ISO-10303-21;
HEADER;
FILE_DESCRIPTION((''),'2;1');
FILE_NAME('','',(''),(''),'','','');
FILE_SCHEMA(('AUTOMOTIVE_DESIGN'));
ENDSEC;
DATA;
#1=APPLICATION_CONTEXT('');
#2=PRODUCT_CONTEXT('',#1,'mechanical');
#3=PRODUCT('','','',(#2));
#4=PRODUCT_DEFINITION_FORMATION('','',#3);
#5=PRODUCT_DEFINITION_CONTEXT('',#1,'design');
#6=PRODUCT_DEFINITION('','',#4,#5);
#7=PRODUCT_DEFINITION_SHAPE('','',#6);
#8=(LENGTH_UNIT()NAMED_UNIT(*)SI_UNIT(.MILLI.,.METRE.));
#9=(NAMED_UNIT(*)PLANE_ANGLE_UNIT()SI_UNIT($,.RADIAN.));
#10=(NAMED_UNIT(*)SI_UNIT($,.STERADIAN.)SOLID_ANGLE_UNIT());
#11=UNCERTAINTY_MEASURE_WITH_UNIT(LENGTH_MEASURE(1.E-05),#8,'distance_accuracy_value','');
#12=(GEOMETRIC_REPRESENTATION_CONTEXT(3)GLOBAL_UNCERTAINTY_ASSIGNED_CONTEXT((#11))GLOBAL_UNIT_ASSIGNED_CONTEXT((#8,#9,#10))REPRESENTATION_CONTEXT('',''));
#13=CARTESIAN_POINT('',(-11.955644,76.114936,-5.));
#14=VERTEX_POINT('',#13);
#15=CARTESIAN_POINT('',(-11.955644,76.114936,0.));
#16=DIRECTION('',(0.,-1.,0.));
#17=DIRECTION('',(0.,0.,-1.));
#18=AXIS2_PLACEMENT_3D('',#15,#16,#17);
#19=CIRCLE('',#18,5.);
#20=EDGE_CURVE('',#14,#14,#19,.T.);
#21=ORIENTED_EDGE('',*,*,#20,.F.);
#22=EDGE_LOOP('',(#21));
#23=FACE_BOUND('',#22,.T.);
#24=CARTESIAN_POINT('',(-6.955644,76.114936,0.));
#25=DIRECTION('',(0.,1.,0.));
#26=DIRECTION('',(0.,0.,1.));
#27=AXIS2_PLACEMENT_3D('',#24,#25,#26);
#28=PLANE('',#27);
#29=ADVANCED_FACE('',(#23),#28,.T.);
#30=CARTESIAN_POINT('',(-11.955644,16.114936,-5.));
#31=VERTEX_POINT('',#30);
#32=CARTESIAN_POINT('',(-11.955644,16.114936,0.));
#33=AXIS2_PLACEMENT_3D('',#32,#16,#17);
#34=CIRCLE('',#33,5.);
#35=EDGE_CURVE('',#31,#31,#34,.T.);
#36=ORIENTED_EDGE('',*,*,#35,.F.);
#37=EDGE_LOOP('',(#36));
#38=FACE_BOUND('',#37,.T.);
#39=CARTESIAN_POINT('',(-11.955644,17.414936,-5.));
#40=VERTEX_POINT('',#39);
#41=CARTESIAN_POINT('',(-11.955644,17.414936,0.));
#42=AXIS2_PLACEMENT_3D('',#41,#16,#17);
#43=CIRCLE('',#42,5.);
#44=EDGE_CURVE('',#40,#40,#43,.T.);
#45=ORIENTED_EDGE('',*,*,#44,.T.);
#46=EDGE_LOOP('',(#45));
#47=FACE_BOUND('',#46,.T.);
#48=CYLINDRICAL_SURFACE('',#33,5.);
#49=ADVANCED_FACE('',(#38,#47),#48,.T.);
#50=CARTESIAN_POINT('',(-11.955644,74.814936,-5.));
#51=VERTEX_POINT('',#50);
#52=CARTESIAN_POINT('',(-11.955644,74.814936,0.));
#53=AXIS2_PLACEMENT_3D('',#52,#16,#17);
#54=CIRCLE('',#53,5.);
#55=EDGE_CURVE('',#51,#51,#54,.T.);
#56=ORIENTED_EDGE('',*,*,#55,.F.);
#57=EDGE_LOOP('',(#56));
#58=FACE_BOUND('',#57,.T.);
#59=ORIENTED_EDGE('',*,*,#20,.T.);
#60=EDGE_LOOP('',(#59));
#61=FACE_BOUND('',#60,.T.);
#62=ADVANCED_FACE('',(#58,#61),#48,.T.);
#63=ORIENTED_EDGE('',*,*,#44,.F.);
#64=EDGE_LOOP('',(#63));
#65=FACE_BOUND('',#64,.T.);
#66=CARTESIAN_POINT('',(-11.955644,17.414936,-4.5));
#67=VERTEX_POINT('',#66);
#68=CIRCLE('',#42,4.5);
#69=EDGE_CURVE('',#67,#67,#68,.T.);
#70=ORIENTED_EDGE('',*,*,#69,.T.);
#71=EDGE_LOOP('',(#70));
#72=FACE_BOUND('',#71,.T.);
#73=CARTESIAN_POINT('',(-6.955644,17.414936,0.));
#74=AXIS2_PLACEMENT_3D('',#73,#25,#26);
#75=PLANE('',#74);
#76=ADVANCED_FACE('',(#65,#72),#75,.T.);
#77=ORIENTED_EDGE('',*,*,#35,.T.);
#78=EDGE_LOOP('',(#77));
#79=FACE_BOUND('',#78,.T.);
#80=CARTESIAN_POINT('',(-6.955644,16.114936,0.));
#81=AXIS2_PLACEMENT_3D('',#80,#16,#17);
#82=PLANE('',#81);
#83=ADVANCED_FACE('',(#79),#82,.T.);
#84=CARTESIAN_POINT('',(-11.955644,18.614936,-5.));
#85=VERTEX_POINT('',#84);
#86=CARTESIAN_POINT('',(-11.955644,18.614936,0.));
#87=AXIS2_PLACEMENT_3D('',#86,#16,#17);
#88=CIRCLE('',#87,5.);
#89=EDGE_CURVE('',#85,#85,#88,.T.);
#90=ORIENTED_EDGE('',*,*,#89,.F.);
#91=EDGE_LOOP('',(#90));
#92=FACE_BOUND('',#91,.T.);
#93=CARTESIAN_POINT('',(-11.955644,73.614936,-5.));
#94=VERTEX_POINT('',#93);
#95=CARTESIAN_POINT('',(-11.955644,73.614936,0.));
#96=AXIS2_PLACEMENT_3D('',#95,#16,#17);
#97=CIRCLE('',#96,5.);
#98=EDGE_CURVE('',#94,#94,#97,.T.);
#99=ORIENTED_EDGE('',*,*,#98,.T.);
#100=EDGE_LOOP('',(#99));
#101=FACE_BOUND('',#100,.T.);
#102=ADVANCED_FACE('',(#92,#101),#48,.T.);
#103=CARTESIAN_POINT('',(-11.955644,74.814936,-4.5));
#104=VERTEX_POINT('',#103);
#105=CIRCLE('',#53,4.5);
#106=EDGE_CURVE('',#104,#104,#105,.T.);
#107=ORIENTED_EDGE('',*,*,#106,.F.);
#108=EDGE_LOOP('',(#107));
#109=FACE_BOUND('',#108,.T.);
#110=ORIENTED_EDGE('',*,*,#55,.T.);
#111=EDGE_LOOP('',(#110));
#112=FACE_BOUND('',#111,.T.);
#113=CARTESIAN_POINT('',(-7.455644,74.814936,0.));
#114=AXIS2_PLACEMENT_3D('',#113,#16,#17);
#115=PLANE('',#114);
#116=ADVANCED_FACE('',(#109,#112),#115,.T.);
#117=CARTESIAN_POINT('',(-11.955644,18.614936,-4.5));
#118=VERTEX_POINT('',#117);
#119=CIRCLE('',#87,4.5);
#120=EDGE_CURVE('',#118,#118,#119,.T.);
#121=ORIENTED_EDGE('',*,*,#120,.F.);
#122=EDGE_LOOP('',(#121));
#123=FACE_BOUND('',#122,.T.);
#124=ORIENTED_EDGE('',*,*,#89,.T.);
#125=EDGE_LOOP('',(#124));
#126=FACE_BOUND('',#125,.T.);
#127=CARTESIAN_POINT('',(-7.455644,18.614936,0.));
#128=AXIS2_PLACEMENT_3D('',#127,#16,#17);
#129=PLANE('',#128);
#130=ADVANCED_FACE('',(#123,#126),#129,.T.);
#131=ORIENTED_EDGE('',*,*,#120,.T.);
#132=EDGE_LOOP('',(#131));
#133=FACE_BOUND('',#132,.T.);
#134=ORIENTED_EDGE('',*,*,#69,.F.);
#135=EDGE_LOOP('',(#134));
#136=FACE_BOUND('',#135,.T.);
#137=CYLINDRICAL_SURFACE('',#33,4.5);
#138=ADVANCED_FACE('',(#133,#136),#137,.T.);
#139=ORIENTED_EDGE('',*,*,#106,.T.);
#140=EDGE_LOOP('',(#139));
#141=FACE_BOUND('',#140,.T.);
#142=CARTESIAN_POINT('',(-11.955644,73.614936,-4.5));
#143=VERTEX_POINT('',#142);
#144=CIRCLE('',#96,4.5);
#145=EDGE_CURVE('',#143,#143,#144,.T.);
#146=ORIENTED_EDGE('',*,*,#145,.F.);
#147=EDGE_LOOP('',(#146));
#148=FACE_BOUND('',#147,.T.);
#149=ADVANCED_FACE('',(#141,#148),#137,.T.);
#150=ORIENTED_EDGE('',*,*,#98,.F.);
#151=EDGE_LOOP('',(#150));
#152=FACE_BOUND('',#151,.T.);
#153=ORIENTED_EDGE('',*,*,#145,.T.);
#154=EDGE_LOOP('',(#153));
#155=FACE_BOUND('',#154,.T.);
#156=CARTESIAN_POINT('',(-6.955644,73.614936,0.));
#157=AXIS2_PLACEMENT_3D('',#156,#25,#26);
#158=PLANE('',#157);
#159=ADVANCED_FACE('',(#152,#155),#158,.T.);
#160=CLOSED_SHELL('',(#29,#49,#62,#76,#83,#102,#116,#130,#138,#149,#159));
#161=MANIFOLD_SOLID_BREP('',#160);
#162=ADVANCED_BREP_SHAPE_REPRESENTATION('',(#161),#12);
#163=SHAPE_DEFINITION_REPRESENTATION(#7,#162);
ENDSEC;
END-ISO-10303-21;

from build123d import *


with BuildPart() as part:
    # 草图1 → 旋转1 (revolve)
    with BuildSketch(Plane.XY, mode=Mode.PRIVATE) as revolve_1_sk:
        Polygon((-6.955644483, 16.114936393), (-11.955644483, 16.114936393), (-11.955644483, 76.114936393), (-6.955644483, 76.114936393), (-6.955644483, 74.814936393), (-7.455644483, 74.814936393), (-7.455644483, 73.614936393), (-6.955644483, 73.614936393), (-6.955644483, 18.614936393), (-7.455644483, 18.614936393), (-7.455644483, 17.414936393), (-6.955644483, 17.414936393), align=None)
    revolve(revolve_1_sk.sketch.rotate(Axis((-11.955644483, 16.114936393, 0), (0, 1, 0)), 90), axis=Axis((-11.955644483, 16.114936393, 0), (0, 1, 0)))


solid = part.part
